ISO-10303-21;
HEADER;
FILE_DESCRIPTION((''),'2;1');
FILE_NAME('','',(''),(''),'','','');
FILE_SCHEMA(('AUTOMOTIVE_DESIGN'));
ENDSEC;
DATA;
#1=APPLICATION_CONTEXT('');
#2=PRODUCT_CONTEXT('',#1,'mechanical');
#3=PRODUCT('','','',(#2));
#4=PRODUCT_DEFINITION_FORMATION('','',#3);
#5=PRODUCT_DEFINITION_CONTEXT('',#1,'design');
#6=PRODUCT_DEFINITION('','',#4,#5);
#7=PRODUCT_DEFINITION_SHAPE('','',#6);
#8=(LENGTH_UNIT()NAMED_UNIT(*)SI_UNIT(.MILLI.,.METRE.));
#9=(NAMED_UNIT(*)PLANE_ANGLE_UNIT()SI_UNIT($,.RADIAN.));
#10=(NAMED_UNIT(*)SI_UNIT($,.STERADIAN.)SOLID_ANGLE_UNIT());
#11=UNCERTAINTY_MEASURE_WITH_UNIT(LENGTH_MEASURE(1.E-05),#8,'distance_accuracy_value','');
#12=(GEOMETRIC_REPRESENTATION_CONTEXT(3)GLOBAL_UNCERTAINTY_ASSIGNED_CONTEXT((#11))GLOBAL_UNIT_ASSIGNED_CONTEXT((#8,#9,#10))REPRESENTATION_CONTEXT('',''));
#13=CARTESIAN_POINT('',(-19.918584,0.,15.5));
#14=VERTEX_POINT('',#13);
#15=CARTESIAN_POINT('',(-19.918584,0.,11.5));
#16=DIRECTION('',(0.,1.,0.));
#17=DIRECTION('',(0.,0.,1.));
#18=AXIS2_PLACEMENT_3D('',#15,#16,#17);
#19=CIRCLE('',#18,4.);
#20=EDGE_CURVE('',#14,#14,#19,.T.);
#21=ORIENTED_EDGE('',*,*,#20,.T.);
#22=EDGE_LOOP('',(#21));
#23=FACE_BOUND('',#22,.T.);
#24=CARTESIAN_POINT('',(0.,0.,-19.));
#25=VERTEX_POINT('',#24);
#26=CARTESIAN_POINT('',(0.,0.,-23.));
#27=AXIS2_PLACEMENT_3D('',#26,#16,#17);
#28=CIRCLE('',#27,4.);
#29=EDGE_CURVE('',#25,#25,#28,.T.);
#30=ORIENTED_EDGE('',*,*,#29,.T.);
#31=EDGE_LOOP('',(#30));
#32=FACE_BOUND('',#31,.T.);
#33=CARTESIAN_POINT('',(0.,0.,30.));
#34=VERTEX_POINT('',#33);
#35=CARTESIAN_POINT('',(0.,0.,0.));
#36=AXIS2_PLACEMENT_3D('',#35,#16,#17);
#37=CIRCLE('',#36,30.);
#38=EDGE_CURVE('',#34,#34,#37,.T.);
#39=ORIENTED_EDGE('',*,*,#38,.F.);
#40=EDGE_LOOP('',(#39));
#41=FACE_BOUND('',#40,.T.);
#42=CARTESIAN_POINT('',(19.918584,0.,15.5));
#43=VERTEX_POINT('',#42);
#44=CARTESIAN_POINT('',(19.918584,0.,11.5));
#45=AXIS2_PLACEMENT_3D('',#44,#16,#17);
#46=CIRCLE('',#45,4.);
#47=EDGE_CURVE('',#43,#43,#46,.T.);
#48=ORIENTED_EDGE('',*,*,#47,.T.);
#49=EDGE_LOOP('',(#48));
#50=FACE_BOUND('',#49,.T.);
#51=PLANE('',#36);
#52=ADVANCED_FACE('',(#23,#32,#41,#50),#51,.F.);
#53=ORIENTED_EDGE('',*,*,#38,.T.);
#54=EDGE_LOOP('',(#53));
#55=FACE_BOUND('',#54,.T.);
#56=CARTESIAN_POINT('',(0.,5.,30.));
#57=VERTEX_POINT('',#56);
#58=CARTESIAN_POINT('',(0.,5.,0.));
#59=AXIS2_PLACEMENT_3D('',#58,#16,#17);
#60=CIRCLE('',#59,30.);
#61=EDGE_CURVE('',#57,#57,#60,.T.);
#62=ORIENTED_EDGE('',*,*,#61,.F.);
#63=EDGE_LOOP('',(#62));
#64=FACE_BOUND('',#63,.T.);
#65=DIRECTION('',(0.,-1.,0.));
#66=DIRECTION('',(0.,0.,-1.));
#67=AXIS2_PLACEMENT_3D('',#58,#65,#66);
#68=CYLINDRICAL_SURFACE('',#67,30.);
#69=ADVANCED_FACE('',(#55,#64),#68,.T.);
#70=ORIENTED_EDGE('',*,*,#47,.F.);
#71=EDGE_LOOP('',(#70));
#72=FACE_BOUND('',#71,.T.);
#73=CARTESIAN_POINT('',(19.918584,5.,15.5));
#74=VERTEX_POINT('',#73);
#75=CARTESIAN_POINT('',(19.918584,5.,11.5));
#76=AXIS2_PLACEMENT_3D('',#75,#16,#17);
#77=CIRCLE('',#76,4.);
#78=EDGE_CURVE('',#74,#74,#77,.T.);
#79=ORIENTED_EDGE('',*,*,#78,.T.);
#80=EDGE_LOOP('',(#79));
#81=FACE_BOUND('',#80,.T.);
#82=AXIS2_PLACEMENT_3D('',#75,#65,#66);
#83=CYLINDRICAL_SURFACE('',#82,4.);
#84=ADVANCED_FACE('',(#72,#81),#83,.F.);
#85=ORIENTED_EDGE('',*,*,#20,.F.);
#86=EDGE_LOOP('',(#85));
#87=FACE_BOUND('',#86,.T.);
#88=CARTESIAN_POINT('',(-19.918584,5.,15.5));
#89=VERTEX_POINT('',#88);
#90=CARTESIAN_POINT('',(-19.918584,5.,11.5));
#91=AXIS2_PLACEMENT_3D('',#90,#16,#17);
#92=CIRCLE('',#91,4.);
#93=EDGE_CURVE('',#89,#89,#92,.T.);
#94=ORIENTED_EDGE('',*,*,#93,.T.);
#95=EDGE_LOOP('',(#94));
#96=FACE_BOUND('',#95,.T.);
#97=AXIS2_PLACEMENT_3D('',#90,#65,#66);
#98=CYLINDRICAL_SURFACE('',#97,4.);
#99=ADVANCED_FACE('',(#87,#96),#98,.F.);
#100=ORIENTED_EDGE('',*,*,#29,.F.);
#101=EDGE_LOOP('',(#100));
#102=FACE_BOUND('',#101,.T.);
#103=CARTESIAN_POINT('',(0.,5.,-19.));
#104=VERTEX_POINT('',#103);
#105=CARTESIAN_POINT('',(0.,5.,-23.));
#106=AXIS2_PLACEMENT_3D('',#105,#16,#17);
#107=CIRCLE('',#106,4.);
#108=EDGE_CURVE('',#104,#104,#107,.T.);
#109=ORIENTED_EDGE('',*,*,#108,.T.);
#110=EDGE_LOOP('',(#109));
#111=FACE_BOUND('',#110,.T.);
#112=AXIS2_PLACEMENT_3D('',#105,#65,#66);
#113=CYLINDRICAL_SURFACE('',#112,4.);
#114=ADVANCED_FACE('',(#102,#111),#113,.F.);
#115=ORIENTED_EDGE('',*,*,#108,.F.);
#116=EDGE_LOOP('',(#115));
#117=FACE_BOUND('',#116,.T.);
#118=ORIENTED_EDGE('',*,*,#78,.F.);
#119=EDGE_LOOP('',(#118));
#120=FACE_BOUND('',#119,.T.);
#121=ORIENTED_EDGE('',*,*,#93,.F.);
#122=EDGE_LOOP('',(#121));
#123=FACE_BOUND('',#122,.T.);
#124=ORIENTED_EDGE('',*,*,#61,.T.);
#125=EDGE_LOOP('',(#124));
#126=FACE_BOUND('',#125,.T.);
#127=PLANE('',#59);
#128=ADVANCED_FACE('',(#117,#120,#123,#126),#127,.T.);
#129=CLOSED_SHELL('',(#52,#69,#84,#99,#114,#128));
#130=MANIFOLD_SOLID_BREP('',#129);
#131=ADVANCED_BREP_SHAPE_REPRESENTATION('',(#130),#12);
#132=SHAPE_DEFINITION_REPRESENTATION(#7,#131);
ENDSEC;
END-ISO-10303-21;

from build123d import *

# Parameters (mm, degrees)
SKETCH_1_R      = 30
SKETCH_1_R_2    = 4
EXTRUDE_1_DEPTH = 5


with BuildPart() as part:
    # 草图1 → 凸台-拉伸1 (new body)
    with BuildSketch(Plane(origin=(0, 0, 0), x_dir=(1, 0, 0), z_dir=(0, 1, 0))):
        with Locations(Location((0, 0, 0), (0, 0, 270))):
            Circle(SKETCH_1_R)
        with Locations(Location((0, 23, 0), (0, 0, 270))):
            Circle(SKETCH_1_R_2, mode=Mode.SUBTRACT)
        with Locations(Location((19.918584287, -11.5, 0), (0, 0, 270))):
            Circle(SKETCH_1_R_2, mode=Mode.SUBTRACT)
        with Locations(Location((-19.918584287, -11.5, 0), (0, 0, 270))):
            Circle(SKETCH_1_R_2, mode=Mode.SUBTRACT)
    extrude(amount=EXTRUDE_1_DEPTH)


solid = part.part
